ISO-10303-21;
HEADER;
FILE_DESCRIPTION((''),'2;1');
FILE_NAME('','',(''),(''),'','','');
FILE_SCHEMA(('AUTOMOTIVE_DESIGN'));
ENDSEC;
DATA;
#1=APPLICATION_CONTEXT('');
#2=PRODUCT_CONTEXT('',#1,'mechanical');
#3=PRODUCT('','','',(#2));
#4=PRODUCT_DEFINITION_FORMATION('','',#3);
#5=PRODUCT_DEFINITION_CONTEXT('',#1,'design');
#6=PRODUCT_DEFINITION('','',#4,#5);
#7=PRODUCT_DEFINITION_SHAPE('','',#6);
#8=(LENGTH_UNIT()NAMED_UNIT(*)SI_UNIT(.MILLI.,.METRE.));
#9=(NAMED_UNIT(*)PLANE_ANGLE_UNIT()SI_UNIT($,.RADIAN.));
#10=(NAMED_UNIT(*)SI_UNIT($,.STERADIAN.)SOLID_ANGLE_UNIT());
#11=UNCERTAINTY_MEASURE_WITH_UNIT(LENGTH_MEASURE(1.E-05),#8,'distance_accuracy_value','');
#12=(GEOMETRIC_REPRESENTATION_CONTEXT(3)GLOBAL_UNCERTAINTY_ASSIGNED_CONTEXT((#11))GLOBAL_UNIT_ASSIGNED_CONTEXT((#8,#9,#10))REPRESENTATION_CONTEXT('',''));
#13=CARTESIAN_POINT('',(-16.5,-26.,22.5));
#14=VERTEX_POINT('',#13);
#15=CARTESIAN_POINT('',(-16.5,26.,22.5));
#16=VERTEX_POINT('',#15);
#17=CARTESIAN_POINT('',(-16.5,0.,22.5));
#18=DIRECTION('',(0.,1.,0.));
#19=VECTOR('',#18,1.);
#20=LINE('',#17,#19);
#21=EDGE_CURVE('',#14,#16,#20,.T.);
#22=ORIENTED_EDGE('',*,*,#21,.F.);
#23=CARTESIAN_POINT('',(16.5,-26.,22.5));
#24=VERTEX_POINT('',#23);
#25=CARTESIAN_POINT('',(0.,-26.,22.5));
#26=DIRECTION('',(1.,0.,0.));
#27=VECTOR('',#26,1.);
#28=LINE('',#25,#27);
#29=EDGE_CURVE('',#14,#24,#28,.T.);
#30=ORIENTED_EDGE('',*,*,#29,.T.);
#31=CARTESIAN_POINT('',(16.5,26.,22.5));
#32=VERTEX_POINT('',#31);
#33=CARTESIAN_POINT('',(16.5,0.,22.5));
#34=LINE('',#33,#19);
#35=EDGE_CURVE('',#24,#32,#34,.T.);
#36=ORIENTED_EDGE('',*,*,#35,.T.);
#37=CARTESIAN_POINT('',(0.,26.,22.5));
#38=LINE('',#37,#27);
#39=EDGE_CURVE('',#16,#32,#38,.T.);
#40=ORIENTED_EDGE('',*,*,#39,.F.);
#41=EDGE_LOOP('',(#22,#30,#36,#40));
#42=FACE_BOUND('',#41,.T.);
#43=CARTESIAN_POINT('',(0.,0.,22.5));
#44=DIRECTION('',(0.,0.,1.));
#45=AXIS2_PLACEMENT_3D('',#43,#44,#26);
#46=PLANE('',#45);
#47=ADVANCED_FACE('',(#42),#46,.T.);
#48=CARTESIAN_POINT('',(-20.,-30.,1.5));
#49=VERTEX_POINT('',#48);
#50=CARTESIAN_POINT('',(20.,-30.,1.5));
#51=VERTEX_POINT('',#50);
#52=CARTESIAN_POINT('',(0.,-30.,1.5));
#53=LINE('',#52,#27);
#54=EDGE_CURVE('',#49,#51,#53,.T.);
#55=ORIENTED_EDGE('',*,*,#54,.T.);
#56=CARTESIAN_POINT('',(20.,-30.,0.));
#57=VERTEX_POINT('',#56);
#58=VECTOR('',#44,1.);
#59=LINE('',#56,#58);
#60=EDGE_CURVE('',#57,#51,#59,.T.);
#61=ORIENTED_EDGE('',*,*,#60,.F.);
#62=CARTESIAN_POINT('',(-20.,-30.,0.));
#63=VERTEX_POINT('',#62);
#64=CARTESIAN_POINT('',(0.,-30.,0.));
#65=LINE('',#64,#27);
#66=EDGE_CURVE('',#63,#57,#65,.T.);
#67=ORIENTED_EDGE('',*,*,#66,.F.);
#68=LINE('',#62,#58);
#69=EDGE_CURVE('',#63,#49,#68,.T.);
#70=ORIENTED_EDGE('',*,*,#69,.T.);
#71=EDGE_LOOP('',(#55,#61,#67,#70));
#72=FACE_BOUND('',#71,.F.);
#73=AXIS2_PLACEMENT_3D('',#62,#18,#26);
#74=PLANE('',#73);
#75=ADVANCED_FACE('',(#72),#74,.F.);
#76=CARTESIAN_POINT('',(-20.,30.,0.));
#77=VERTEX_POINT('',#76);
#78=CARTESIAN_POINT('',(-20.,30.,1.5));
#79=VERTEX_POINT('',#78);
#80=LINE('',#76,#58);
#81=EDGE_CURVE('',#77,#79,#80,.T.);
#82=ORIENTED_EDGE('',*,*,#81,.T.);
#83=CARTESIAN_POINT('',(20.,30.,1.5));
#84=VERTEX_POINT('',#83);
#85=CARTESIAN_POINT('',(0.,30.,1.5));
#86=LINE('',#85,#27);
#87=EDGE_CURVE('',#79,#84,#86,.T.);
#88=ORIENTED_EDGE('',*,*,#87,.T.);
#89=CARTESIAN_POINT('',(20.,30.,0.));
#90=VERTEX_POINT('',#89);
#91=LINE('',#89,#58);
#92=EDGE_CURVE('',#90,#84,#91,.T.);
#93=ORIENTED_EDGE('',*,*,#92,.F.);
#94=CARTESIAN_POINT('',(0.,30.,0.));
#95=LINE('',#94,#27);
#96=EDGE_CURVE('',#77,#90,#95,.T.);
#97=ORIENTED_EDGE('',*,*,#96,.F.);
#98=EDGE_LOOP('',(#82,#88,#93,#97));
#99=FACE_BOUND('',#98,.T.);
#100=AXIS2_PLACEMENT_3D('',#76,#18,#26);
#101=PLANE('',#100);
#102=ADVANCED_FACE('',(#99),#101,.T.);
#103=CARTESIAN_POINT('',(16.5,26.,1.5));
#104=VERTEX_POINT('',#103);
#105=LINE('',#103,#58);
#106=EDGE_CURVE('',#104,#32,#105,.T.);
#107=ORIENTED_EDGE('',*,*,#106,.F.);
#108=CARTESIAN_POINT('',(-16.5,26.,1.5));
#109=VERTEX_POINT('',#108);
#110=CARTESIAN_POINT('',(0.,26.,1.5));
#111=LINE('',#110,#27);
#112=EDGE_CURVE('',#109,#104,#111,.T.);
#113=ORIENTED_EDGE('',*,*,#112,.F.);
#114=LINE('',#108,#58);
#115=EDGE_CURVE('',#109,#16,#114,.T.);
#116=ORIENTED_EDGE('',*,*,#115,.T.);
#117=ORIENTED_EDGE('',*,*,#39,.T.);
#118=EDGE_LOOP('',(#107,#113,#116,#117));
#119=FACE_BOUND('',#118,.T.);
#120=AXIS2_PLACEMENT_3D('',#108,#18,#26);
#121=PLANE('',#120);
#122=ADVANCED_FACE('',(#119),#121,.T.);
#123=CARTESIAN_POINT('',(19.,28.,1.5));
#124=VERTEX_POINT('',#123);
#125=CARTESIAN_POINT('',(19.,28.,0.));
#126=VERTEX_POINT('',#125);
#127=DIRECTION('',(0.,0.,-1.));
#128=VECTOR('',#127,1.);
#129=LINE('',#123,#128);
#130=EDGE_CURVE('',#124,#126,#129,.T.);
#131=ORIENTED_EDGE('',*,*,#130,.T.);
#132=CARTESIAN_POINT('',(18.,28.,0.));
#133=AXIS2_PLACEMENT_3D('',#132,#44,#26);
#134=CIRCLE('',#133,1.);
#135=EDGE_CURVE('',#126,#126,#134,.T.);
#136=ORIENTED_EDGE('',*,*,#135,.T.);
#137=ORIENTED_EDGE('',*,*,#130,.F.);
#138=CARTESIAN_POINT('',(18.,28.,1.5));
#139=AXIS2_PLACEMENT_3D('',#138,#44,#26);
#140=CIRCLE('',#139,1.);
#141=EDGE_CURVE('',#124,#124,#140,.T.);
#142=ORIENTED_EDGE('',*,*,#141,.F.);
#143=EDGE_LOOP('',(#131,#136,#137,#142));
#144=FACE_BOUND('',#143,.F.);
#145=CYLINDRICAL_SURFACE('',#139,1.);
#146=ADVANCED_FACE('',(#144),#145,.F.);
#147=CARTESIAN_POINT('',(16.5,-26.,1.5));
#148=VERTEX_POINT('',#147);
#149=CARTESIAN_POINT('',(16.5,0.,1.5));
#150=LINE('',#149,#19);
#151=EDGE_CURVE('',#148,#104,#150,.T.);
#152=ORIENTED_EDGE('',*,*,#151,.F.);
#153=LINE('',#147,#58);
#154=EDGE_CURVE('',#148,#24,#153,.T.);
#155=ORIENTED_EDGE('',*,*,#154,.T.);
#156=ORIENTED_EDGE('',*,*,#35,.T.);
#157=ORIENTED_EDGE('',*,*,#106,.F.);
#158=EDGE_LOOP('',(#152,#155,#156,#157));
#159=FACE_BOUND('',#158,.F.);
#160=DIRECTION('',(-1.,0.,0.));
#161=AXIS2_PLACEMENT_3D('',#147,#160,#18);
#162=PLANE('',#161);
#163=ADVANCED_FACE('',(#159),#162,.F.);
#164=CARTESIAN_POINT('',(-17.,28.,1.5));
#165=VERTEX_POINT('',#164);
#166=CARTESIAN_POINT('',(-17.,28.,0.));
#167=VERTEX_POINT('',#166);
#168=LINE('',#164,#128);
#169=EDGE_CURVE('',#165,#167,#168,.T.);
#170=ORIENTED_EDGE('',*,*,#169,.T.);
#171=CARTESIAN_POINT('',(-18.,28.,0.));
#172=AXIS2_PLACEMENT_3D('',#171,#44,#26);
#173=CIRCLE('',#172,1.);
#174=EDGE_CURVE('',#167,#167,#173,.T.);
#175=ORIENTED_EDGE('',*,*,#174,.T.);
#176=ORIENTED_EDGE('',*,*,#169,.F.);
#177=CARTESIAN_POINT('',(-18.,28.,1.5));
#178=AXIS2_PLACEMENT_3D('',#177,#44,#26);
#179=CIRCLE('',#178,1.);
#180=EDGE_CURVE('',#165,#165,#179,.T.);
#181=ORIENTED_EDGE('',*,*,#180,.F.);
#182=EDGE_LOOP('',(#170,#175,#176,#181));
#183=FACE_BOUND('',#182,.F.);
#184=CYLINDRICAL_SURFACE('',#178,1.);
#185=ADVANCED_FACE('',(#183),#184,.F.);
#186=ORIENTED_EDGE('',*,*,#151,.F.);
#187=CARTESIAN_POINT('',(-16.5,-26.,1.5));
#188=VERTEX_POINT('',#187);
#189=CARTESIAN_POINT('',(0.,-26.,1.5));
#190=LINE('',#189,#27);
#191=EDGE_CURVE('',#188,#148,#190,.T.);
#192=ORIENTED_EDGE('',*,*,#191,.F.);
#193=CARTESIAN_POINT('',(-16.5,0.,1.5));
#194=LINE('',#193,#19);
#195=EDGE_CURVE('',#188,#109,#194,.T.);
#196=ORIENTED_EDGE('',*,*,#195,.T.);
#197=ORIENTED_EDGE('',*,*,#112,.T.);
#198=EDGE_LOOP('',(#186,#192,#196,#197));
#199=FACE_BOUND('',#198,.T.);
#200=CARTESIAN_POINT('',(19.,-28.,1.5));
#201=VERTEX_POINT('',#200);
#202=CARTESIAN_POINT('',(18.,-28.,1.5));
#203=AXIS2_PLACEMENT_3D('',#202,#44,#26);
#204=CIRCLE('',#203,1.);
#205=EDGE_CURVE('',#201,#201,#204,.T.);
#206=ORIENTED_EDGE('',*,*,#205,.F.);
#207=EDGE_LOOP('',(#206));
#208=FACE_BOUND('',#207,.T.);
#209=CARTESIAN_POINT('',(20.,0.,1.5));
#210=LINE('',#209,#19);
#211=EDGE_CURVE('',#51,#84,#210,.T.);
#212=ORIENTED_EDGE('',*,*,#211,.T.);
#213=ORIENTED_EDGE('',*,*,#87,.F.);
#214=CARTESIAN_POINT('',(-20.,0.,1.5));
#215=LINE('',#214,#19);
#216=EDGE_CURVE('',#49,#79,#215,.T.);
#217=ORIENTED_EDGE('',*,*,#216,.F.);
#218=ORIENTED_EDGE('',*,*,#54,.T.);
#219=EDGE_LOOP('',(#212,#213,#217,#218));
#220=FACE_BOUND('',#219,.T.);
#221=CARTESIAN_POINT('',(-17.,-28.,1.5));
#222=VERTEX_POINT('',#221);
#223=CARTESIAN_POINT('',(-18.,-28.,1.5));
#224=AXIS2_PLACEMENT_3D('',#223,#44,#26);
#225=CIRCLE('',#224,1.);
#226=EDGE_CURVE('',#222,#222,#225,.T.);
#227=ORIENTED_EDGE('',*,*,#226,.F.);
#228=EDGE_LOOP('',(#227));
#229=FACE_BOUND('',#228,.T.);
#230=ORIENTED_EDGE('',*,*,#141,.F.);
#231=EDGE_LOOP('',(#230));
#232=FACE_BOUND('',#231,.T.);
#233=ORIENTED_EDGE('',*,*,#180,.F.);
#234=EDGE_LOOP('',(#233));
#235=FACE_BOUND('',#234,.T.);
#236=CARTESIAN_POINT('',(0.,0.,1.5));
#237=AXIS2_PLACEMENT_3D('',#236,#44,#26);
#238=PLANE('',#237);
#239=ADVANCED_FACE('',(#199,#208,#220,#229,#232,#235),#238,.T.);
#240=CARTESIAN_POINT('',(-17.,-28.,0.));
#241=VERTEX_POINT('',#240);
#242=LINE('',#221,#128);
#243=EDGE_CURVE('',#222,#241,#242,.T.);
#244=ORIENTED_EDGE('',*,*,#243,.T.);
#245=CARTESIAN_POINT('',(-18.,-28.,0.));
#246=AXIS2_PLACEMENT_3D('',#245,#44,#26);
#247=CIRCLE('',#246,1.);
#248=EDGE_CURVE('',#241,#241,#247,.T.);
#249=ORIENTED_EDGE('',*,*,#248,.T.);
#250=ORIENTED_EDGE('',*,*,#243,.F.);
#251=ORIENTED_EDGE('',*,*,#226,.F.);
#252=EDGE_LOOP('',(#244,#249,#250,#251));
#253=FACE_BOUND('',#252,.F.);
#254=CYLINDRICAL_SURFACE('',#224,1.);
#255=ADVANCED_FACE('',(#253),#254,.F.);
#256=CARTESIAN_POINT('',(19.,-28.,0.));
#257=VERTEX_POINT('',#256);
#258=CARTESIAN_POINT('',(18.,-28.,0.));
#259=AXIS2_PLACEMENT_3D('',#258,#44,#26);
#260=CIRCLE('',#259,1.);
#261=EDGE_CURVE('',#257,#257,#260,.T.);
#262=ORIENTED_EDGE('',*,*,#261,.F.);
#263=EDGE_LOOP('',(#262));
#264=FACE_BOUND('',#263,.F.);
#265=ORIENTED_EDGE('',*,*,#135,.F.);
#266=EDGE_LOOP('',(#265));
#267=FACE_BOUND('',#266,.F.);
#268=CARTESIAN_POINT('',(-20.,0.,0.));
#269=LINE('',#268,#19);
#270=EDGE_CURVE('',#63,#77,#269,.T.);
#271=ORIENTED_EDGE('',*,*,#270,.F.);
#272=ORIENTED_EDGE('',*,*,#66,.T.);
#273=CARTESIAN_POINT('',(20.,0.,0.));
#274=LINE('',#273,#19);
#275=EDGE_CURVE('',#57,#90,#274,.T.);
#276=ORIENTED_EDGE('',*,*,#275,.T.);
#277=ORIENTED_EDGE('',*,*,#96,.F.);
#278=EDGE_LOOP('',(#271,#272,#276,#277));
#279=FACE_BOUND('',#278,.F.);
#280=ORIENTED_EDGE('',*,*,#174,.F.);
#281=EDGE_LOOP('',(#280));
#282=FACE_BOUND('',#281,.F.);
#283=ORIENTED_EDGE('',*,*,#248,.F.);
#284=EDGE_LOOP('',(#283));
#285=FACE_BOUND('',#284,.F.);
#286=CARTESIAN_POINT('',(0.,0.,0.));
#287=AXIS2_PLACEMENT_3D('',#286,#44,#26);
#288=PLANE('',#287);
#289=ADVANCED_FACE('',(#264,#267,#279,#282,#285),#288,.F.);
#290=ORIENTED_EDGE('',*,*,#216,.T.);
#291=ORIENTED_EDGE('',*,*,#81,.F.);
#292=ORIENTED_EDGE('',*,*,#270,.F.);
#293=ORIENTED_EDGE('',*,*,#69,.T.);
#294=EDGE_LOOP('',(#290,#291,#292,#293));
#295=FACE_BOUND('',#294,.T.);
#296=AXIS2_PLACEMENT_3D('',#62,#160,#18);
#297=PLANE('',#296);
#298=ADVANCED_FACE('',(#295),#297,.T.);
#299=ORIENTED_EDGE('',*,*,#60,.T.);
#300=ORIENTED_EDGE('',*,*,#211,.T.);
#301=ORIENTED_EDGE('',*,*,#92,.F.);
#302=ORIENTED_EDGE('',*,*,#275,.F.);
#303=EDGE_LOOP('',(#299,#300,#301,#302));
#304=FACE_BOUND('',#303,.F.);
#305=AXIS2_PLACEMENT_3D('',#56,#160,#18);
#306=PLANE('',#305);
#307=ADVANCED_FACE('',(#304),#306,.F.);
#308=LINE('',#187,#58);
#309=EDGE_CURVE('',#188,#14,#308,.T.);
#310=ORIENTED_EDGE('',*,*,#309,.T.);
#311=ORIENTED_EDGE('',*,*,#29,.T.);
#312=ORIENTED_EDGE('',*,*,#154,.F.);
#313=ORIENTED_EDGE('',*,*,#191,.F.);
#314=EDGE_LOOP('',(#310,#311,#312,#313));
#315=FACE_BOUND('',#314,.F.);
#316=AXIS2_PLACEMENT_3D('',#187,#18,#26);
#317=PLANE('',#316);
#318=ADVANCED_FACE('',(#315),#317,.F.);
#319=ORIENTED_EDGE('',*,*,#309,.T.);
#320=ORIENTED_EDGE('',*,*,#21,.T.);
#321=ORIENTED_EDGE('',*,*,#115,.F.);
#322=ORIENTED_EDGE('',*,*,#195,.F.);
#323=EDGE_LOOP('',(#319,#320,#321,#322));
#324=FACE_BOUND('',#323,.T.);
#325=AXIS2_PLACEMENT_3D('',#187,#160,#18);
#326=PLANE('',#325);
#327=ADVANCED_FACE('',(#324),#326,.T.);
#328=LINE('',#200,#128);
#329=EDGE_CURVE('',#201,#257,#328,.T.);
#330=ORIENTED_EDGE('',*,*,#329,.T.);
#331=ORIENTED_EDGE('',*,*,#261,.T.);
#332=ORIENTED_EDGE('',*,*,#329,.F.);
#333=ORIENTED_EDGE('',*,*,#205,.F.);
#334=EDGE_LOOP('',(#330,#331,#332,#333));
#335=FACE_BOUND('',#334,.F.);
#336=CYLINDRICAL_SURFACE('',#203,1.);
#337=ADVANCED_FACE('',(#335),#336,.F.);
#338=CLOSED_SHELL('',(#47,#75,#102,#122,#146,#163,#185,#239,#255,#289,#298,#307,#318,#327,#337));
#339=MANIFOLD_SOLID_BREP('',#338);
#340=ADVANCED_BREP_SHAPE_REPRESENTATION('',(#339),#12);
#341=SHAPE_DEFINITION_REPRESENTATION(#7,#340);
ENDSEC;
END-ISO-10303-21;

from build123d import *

# Parameters (mm, degrees)
SKETCH_W     = 40
SKETCH_H     = 60
PAD_DEPTH    = 1.5
SKETCH001_R  = 1
POCKET_DEPTH = 1.501
SKETCH002_W  = 33
SKETCH002_H  = 52
PAD001_DEPTH = 21


with BuildPart() as part:
    # Sketch → Pad (new body)
    with BuildSketch(Plane.XY):
        Rectangle(SKETCH_W, SKETCH_H)
    extrude(amount=PAD_DEPTH)

    # Sketch001 (on Face6 of Pad) → Pocket (cut, through all)
    with BuildSketch(Plane.XY.offset(1.5)):
        with Locations((-18, 28)):
            Circle(SKETCH001_R)
        with Locations((18, 28)):
            Circle(SKETCH001_R)
        with Locations((-18, -28)):
            Circle(SKETCH001_R)
        with Locations((18, -28)):
            Circle(SKETCH001_R)
    extrude(amount=-POCKET_DEPTH, mode=Mode.SUBTRACT)

    # Sketch002 (on Face5 of Pocket) → Pad001 (join)
    with BuildSketch(Plane.XY.offset(1.5)):
        Rectangle(SKETCH002_W, SKETCH002_H)
    extrude(amount=PAD001_DEPTH)


solid = part.part
